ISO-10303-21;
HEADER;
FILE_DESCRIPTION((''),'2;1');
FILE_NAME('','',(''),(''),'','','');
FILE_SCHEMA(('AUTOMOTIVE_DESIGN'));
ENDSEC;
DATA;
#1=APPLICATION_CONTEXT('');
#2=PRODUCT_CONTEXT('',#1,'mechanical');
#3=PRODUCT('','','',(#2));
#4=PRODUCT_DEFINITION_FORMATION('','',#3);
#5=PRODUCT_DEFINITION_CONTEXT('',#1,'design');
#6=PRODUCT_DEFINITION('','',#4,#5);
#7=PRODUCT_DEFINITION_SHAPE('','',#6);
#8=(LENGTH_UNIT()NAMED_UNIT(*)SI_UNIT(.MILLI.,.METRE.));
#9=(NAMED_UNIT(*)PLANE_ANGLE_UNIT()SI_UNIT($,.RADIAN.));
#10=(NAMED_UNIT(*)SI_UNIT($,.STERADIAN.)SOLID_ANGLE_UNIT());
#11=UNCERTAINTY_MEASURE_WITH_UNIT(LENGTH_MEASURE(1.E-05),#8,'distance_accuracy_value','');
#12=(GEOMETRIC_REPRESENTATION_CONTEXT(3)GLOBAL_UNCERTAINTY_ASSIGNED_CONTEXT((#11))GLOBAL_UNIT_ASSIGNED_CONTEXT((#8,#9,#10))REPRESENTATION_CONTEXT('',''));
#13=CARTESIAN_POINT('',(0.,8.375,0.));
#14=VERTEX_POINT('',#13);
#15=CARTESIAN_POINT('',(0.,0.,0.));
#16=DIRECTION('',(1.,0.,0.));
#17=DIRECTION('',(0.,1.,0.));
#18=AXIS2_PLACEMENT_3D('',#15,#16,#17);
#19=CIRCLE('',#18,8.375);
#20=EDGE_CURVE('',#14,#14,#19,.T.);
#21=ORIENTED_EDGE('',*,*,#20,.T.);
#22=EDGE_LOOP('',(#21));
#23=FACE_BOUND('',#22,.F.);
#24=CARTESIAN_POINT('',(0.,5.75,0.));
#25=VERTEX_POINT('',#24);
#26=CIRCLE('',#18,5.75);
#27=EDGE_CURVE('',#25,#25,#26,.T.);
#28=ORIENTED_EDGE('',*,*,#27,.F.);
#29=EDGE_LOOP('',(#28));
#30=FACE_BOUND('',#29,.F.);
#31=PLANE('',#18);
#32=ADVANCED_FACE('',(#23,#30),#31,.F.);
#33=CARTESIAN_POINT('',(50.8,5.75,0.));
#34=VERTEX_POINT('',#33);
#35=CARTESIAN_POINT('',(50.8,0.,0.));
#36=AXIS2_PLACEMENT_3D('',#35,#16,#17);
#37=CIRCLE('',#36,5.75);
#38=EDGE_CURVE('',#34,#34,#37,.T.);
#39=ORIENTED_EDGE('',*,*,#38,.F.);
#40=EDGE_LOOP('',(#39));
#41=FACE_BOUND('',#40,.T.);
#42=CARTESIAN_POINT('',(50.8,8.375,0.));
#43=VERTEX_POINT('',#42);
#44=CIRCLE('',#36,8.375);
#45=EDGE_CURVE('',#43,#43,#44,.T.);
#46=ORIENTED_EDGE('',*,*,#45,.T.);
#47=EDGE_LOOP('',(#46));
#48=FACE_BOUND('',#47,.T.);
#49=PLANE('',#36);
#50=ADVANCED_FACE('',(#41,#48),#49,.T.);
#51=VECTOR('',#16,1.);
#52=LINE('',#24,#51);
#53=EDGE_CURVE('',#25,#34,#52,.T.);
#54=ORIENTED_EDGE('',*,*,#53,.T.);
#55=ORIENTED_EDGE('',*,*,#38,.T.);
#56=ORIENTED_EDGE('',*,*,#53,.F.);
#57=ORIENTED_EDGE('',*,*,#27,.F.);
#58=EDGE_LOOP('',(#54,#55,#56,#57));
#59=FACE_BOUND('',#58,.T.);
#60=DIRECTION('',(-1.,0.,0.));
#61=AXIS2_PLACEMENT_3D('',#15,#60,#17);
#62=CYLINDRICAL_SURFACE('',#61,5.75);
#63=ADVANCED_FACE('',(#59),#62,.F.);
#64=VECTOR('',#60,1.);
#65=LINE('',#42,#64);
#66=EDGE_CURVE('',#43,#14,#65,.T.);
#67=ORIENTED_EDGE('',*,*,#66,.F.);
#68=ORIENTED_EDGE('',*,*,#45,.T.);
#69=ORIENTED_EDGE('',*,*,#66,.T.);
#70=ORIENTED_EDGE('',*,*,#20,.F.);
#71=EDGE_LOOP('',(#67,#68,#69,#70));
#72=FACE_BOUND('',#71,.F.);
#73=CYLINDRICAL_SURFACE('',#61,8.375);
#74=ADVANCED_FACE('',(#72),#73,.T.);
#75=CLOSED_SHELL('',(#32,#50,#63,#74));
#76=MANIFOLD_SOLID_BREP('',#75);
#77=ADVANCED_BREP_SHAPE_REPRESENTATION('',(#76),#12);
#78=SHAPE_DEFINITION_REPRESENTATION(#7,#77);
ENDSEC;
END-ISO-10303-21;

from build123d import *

# Parameters (mm, degrees)
F0_R        = 8.375
F0_R_2      = 8.35
F0_R_3      = 5.75
F1_DEPTH    = 25.4
F1_FACE_R   = 8.375
F1_FACE_R_2 = 5.75
F2_DEPTH    = 25.4


with BuildPart() as f1:
    # F0 (on Right) → F1 (new body)
    with BuildSketch(Plane.YZ):
        Circle(F0_R)
        Circle(F0_R_2, mode=Mode.SUBTRACT)
        Circle(F0_R_2)
        Circle(F0_R_3, mode=Mode.SUBTRACT)
    extrude(amount=F1_DEPTH)

    # F0 (on Right) + F1_face (on face) → F2 (join)
    with BuildSketch(Plane.YZ):
        Circle(F0_R)
        Circle(F0_R_2, mode=Mode.SUBTRACT)
    with BuildSketch(Plane.YZ.offset(25.4)):
        Circle(F1_FACE_R)
        Circle(F1_FACE_R_2, mode=Mode.SUBTRACT)
    extrude(amount=F2_DEPTH)


solid = f1.part
